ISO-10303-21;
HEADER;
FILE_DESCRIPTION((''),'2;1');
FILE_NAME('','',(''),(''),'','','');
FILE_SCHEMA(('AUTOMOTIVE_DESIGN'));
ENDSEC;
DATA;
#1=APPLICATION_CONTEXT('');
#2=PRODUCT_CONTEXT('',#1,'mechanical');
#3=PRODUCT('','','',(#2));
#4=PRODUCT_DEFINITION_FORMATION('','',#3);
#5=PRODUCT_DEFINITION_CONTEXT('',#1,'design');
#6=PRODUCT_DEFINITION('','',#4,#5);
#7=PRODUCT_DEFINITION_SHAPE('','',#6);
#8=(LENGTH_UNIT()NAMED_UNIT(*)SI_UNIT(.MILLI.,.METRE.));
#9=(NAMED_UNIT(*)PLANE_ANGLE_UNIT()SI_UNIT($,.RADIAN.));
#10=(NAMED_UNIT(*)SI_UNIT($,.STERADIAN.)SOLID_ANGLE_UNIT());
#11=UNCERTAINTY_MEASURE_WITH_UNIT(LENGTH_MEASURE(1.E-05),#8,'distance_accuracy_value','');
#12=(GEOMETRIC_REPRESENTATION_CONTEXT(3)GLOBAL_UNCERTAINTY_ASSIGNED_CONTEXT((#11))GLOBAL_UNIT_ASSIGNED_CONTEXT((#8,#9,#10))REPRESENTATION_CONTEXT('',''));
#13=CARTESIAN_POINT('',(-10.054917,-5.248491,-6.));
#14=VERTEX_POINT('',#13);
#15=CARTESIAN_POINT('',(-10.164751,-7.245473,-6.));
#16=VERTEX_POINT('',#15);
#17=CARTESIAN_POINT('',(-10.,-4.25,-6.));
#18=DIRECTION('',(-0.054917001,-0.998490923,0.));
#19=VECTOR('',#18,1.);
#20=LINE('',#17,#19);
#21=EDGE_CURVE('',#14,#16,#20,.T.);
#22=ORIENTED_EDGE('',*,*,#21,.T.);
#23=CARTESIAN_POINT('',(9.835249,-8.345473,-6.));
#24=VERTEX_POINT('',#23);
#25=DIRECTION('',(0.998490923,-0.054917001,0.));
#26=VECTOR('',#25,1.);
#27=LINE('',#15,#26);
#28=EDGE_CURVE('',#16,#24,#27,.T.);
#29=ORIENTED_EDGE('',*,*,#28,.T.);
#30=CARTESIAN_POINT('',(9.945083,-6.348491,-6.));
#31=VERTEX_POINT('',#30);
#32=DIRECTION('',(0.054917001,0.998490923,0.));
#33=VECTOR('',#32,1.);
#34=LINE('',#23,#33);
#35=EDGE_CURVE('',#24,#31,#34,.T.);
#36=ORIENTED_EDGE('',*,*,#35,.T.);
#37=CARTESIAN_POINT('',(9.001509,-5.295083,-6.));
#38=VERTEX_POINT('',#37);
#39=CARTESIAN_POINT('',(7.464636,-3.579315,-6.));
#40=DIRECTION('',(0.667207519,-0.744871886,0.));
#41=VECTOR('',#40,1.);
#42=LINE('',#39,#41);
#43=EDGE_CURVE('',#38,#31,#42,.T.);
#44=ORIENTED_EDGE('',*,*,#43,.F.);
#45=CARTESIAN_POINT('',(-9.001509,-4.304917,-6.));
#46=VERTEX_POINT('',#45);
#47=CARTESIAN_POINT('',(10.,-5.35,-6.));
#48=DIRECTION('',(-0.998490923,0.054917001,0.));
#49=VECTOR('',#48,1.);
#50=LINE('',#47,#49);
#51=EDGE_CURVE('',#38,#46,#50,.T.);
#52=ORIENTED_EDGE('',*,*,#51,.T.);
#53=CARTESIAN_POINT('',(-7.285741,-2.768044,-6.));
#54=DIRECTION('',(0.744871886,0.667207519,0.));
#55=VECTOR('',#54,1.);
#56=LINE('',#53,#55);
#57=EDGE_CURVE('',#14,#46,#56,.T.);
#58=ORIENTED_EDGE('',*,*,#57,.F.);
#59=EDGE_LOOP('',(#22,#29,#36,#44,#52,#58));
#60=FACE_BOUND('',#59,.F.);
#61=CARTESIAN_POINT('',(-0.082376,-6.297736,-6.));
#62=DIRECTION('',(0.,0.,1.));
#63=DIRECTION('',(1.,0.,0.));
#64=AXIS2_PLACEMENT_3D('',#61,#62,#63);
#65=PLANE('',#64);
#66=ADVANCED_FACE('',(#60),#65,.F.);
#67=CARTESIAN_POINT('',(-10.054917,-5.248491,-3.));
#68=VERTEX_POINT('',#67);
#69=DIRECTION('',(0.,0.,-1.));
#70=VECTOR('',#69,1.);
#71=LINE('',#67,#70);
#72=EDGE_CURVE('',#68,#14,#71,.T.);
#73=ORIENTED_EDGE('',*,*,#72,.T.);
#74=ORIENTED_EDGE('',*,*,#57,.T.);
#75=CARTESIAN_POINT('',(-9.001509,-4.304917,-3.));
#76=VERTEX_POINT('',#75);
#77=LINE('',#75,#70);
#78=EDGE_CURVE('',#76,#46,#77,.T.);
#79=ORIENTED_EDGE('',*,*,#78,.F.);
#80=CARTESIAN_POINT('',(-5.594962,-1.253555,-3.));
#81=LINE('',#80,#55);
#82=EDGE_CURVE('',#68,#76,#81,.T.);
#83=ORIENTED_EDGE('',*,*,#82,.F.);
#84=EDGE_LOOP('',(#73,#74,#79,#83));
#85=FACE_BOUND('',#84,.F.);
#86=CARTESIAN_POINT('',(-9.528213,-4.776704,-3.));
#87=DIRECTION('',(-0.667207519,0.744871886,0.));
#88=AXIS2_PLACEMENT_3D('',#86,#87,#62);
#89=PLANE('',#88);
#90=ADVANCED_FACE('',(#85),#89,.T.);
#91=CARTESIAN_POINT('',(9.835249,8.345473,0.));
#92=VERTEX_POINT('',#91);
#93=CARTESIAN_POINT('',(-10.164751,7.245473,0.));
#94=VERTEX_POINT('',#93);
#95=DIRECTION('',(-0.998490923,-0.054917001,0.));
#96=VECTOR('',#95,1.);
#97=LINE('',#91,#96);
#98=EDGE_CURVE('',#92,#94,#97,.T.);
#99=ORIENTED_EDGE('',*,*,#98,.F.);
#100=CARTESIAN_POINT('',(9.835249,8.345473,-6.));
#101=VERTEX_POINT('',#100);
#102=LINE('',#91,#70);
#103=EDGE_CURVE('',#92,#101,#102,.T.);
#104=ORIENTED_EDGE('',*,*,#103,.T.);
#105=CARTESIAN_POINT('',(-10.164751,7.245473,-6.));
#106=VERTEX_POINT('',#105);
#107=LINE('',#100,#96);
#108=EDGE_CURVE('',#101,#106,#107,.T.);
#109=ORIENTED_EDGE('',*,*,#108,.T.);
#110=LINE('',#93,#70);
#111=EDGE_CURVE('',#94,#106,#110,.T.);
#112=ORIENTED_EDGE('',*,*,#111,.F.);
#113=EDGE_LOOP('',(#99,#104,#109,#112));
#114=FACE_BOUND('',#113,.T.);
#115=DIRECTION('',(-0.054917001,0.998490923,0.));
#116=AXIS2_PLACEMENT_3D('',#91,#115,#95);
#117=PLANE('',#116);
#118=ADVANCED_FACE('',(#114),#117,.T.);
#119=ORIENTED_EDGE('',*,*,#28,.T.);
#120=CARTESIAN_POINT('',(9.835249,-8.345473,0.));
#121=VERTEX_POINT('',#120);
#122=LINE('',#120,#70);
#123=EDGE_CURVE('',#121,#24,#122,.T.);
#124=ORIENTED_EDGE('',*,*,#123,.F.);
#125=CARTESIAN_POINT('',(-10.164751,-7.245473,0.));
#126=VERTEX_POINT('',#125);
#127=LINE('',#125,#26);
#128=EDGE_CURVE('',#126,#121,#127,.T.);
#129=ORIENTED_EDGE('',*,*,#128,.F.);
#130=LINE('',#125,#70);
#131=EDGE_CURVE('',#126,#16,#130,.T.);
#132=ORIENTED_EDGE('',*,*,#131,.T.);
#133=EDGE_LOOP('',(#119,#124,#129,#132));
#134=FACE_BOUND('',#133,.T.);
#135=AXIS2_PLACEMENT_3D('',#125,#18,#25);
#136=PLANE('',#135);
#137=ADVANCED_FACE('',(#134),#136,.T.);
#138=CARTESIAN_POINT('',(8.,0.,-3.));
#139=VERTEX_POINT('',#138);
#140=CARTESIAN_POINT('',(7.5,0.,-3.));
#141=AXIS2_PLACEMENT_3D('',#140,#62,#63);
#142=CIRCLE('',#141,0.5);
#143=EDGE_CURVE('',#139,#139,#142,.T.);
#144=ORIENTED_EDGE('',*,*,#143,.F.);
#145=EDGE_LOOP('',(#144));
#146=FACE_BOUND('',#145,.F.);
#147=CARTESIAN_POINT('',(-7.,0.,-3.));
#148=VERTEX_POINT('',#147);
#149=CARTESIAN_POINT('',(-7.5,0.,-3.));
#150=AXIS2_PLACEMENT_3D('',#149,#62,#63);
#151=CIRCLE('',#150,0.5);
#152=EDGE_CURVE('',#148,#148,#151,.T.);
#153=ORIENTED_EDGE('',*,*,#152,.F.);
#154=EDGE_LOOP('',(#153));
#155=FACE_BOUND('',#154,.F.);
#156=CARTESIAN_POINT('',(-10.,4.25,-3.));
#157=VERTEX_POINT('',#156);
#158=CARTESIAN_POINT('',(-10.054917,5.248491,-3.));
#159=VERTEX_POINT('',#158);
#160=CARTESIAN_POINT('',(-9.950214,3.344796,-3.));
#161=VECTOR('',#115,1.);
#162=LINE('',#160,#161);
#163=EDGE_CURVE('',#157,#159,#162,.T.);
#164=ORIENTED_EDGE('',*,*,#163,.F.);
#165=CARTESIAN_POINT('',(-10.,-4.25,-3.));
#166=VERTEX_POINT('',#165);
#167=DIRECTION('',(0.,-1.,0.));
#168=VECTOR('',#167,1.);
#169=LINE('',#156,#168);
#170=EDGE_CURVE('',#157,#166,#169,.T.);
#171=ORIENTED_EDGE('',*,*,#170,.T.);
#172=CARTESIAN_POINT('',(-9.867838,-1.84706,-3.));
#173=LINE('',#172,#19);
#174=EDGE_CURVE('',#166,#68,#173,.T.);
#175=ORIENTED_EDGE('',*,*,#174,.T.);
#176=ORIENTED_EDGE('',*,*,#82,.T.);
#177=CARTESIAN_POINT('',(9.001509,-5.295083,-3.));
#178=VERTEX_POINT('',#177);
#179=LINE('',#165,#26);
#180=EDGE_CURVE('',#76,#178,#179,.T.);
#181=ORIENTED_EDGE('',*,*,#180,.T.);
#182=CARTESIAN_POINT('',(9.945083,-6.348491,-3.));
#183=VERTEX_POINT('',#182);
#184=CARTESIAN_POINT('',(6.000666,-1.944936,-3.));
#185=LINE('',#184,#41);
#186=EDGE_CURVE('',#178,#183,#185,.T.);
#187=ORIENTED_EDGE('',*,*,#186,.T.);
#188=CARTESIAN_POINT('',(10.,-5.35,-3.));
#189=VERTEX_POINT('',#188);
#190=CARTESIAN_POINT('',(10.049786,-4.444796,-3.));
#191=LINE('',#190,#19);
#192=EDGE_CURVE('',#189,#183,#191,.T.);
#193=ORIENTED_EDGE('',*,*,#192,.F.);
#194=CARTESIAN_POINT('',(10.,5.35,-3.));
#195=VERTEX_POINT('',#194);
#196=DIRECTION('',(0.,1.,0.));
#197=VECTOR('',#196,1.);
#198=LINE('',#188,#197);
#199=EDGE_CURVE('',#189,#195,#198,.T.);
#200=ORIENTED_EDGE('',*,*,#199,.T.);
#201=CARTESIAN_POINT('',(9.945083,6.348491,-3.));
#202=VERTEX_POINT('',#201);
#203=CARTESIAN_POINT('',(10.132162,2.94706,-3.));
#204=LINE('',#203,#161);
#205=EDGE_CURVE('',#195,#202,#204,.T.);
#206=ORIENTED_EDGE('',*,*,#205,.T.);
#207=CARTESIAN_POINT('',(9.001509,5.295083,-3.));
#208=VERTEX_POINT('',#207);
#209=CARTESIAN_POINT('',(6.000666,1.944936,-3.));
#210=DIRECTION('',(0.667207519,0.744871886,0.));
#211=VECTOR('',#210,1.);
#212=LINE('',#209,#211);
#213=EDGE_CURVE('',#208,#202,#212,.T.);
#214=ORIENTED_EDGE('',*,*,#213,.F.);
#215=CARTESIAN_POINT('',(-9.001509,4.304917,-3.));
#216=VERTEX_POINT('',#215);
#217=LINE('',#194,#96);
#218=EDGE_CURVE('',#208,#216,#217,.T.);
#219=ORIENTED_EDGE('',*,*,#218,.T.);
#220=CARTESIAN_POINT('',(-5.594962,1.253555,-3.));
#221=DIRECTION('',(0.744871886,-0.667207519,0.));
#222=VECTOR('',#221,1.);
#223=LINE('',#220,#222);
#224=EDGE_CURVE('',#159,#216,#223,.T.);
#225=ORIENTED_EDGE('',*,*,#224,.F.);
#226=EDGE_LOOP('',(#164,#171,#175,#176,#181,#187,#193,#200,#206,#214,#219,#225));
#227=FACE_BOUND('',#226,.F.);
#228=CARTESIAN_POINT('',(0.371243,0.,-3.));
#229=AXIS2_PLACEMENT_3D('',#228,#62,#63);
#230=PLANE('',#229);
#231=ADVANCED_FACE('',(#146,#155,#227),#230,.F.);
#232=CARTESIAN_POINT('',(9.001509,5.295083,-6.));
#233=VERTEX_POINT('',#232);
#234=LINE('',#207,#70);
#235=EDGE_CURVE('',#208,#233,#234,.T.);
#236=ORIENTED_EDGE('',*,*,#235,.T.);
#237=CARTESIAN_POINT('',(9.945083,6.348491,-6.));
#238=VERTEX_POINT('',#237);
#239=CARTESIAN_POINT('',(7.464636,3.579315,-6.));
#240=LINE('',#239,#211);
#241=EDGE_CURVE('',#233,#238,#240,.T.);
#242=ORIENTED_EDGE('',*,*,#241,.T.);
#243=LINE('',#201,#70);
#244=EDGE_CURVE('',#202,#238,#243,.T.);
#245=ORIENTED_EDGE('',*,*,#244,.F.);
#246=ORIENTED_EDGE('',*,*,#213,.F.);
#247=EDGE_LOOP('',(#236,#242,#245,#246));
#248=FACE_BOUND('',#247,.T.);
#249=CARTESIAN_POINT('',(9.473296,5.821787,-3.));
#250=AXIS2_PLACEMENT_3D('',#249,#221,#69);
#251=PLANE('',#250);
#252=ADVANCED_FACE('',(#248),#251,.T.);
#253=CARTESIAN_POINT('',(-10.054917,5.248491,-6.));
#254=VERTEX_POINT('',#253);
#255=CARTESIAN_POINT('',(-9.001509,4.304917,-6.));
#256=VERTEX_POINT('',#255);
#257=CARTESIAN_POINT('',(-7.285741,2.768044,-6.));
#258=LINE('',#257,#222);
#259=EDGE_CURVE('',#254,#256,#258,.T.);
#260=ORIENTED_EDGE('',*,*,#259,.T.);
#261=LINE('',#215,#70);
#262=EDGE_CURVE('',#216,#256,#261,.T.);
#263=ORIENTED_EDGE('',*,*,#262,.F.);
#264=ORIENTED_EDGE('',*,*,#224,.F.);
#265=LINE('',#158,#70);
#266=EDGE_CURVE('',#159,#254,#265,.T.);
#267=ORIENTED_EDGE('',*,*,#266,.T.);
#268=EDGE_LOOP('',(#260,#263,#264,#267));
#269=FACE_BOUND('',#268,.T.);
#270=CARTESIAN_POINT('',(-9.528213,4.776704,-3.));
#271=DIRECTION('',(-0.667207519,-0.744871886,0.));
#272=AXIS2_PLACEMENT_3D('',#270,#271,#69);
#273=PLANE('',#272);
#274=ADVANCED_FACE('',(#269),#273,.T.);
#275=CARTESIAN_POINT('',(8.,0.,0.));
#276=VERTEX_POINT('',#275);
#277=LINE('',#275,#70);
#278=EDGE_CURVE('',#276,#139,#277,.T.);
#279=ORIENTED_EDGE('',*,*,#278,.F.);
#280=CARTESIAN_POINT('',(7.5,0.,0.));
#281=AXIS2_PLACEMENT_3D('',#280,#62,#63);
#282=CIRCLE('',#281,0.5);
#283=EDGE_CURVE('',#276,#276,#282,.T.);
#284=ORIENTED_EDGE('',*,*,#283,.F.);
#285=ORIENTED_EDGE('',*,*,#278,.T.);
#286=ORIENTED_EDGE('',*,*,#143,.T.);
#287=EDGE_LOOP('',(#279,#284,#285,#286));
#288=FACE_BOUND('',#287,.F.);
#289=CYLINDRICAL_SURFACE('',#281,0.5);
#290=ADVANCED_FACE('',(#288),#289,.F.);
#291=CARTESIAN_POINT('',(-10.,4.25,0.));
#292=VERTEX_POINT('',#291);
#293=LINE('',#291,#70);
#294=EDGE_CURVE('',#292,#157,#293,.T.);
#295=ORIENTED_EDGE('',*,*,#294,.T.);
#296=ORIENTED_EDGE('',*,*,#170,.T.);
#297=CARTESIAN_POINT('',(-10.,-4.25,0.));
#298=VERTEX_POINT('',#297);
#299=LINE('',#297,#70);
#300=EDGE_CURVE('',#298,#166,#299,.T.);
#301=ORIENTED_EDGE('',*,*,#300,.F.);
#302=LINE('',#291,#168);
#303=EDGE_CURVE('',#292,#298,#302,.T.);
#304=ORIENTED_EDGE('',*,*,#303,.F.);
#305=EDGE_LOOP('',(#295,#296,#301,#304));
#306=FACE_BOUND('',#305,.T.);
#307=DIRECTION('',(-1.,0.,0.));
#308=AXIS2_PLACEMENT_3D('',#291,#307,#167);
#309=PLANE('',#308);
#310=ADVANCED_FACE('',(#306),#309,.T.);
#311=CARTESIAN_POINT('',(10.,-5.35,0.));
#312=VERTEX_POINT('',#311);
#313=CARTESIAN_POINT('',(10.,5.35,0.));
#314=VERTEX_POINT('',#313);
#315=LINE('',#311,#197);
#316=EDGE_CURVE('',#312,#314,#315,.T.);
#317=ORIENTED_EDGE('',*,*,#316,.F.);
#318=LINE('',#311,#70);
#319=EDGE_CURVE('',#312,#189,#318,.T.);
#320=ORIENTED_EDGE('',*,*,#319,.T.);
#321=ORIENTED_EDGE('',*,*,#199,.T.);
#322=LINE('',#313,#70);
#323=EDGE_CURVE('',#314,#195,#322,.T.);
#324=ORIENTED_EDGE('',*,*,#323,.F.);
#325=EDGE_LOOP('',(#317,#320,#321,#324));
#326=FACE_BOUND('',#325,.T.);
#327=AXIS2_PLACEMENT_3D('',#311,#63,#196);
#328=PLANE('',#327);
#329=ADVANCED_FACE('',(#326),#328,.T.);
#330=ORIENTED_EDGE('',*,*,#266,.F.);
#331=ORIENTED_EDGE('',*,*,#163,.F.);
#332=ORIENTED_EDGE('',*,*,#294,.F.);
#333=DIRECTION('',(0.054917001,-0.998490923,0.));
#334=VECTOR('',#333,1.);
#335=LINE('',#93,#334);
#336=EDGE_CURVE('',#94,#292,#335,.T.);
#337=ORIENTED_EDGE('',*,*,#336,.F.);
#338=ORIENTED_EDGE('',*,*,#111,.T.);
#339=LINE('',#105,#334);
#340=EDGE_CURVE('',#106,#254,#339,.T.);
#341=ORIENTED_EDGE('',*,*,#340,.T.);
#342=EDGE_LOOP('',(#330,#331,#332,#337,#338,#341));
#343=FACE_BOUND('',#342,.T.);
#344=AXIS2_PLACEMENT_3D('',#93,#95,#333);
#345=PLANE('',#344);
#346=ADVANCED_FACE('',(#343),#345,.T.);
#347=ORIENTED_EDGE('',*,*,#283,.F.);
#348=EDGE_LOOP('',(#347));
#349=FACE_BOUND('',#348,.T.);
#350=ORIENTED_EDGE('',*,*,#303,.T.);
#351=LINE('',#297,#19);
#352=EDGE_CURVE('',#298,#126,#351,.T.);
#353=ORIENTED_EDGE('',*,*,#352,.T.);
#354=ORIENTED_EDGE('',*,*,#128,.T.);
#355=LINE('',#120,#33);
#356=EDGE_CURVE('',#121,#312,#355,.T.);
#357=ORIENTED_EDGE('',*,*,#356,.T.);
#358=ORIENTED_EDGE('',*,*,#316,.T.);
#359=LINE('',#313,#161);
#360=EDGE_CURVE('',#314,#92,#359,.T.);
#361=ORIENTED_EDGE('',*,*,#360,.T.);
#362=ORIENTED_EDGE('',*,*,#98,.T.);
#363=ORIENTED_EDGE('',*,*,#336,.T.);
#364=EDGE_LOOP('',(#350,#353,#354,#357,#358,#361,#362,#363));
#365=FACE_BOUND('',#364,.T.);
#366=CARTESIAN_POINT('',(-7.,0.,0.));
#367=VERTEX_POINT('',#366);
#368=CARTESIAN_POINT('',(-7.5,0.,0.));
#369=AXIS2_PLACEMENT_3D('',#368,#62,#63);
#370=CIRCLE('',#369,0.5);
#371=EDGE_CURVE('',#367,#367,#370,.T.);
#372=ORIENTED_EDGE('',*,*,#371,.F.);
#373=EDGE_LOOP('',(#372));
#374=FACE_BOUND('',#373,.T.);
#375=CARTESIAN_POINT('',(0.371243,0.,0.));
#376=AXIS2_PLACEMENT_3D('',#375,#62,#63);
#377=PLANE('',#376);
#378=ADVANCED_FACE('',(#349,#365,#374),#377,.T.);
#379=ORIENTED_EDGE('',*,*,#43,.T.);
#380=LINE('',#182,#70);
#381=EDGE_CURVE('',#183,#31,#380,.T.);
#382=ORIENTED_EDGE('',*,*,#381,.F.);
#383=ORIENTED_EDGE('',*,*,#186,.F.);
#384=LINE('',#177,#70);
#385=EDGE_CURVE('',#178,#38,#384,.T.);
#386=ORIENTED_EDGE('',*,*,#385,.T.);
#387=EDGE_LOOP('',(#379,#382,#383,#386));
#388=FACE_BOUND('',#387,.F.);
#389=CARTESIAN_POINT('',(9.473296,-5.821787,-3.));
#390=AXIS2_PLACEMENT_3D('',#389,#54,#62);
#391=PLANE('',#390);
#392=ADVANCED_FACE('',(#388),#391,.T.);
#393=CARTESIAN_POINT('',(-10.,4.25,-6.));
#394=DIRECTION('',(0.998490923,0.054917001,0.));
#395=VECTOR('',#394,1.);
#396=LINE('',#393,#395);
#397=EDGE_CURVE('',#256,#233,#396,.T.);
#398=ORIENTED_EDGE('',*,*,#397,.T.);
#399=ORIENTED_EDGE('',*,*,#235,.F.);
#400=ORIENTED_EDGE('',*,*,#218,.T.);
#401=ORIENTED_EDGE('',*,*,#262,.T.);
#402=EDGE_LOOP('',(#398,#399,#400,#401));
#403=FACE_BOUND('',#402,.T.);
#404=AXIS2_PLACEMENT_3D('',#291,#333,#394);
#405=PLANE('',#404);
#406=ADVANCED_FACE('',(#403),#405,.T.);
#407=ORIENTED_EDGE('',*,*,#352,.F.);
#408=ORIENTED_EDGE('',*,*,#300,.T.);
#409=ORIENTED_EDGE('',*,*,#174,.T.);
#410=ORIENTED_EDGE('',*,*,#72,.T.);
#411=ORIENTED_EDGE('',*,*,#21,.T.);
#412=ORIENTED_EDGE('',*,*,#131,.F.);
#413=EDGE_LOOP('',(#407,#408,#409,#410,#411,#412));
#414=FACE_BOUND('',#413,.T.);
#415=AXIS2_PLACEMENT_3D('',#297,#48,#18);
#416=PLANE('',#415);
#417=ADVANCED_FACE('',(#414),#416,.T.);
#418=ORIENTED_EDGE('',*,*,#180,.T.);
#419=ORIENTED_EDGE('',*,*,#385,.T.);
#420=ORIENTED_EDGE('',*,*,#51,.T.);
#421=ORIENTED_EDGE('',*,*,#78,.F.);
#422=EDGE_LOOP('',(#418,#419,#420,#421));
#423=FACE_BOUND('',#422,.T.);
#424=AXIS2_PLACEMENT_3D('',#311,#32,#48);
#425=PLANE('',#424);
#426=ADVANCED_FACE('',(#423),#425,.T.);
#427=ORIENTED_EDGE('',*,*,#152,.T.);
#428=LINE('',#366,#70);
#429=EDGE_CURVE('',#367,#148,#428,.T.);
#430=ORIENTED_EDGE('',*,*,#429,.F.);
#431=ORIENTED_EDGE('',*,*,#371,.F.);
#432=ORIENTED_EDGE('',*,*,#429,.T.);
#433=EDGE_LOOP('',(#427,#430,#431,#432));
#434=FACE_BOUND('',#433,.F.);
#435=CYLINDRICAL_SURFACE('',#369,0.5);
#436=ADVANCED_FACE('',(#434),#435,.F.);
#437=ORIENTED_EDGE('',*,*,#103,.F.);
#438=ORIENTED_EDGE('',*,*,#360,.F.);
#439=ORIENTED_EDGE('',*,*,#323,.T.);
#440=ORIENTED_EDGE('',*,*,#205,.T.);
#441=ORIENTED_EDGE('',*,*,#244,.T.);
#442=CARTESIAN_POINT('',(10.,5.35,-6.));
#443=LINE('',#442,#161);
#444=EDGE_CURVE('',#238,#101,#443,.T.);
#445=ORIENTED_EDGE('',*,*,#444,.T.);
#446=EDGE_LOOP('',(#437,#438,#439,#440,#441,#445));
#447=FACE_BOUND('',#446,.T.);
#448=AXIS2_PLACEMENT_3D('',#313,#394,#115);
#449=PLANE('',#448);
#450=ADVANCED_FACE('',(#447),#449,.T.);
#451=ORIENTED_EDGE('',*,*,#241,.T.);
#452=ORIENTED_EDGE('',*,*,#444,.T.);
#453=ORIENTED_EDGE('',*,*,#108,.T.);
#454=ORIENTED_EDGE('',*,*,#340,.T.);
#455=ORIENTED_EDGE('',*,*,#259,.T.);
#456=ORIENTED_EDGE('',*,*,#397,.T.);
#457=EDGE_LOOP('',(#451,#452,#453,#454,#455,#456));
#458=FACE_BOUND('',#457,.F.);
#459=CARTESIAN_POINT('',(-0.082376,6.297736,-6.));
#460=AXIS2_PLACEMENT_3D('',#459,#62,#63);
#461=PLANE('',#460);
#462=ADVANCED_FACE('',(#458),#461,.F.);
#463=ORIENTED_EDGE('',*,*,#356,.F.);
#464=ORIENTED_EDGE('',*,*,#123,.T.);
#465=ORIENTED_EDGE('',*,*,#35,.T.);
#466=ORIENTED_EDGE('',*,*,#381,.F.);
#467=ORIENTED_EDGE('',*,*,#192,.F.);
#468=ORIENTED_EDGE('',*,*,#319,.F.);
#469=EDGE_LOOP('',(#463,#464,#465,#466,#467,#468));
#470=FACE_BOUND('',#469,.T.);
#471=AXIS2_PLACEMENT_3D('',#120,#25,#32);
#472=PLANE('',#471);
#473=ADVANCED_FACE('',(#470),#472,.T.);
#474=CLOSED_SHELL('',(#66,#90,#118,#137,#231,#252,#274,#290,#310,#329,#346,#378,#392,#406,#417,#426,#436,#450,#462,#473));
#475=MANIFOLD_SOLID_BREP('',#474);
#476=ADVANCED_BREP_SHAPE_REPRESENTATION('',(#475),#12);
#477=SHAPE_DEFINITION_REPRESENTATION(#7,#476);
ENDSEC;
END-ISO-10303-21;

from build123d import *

# Parameters (mm, degrees)
F1_DEPTH = 6
F3_DEPTH = 3
F4_R     = 0.5
F5_DEPTH = 3
F6_SIZE  = 1


with BuildPart() as f1:
    # F0 (on Top) → F1 (new body)
    with BuildSketch(Plane.XY):
        Polygon((10, -5.35), (-10, -4.25), (-10.1647510023, -7.2454727686), (9.8352489977, -8.3454727686), align=None)
    extrude(amount=-F1_DEPTH)



with BuildPart() as f1b:
    # F0 (on Top) → F1, piece 2 (new body)
    with BuildSketch(Plane.XY):
        Polygon((9.8352489977, 8.3454727686), (-10.1647510023, 7.2454727686), (-10, 4.25), (10, 5.35), align=None)
    extrude(amount=-F1_DEPTH)


with BuildPart() as f1_1:
    add(f1.part)

    add(f1b.part)  # F3 merges F1b
    # F2 (on face) → F3 (join)
    with BuildSketch(Plane.XY):
        Polygon((10, 5.35), (-10, 4.25), (-10, -4.25), (10, -5.35), align=None)
    extrude(amount=-F3_DEPTH)

    # F4 (on face) → F5 (cut)
    with BuildSketch(Plane.XY):
        with Locations((-7.5, 0)):
            Circle(F4_R)
        with Locations((7.5, 0)):
            Circle(F4_R)
    extrude(amount=-F5_DEPTH, mode=Mode.SUBTRACT)

    # F6
    f6_edges = [f1_1.edges().sort_by_distance(p)[0] for p in [
        (-10, 4.25, -4.5),
        (-10, 4.25, -1.5),
        (10, 5.35, -1.5),
        (10, 5.35, -4.5),
        (10, -5.35, -1.5),
        (10, -5.35, -4.5),
        (-10, -4.25, -4.5),
        (-10, -4.25, -1.5),
    ]]
    chamfer(f6_edges, length=F6_SIZE)


solid = f1_1.part
